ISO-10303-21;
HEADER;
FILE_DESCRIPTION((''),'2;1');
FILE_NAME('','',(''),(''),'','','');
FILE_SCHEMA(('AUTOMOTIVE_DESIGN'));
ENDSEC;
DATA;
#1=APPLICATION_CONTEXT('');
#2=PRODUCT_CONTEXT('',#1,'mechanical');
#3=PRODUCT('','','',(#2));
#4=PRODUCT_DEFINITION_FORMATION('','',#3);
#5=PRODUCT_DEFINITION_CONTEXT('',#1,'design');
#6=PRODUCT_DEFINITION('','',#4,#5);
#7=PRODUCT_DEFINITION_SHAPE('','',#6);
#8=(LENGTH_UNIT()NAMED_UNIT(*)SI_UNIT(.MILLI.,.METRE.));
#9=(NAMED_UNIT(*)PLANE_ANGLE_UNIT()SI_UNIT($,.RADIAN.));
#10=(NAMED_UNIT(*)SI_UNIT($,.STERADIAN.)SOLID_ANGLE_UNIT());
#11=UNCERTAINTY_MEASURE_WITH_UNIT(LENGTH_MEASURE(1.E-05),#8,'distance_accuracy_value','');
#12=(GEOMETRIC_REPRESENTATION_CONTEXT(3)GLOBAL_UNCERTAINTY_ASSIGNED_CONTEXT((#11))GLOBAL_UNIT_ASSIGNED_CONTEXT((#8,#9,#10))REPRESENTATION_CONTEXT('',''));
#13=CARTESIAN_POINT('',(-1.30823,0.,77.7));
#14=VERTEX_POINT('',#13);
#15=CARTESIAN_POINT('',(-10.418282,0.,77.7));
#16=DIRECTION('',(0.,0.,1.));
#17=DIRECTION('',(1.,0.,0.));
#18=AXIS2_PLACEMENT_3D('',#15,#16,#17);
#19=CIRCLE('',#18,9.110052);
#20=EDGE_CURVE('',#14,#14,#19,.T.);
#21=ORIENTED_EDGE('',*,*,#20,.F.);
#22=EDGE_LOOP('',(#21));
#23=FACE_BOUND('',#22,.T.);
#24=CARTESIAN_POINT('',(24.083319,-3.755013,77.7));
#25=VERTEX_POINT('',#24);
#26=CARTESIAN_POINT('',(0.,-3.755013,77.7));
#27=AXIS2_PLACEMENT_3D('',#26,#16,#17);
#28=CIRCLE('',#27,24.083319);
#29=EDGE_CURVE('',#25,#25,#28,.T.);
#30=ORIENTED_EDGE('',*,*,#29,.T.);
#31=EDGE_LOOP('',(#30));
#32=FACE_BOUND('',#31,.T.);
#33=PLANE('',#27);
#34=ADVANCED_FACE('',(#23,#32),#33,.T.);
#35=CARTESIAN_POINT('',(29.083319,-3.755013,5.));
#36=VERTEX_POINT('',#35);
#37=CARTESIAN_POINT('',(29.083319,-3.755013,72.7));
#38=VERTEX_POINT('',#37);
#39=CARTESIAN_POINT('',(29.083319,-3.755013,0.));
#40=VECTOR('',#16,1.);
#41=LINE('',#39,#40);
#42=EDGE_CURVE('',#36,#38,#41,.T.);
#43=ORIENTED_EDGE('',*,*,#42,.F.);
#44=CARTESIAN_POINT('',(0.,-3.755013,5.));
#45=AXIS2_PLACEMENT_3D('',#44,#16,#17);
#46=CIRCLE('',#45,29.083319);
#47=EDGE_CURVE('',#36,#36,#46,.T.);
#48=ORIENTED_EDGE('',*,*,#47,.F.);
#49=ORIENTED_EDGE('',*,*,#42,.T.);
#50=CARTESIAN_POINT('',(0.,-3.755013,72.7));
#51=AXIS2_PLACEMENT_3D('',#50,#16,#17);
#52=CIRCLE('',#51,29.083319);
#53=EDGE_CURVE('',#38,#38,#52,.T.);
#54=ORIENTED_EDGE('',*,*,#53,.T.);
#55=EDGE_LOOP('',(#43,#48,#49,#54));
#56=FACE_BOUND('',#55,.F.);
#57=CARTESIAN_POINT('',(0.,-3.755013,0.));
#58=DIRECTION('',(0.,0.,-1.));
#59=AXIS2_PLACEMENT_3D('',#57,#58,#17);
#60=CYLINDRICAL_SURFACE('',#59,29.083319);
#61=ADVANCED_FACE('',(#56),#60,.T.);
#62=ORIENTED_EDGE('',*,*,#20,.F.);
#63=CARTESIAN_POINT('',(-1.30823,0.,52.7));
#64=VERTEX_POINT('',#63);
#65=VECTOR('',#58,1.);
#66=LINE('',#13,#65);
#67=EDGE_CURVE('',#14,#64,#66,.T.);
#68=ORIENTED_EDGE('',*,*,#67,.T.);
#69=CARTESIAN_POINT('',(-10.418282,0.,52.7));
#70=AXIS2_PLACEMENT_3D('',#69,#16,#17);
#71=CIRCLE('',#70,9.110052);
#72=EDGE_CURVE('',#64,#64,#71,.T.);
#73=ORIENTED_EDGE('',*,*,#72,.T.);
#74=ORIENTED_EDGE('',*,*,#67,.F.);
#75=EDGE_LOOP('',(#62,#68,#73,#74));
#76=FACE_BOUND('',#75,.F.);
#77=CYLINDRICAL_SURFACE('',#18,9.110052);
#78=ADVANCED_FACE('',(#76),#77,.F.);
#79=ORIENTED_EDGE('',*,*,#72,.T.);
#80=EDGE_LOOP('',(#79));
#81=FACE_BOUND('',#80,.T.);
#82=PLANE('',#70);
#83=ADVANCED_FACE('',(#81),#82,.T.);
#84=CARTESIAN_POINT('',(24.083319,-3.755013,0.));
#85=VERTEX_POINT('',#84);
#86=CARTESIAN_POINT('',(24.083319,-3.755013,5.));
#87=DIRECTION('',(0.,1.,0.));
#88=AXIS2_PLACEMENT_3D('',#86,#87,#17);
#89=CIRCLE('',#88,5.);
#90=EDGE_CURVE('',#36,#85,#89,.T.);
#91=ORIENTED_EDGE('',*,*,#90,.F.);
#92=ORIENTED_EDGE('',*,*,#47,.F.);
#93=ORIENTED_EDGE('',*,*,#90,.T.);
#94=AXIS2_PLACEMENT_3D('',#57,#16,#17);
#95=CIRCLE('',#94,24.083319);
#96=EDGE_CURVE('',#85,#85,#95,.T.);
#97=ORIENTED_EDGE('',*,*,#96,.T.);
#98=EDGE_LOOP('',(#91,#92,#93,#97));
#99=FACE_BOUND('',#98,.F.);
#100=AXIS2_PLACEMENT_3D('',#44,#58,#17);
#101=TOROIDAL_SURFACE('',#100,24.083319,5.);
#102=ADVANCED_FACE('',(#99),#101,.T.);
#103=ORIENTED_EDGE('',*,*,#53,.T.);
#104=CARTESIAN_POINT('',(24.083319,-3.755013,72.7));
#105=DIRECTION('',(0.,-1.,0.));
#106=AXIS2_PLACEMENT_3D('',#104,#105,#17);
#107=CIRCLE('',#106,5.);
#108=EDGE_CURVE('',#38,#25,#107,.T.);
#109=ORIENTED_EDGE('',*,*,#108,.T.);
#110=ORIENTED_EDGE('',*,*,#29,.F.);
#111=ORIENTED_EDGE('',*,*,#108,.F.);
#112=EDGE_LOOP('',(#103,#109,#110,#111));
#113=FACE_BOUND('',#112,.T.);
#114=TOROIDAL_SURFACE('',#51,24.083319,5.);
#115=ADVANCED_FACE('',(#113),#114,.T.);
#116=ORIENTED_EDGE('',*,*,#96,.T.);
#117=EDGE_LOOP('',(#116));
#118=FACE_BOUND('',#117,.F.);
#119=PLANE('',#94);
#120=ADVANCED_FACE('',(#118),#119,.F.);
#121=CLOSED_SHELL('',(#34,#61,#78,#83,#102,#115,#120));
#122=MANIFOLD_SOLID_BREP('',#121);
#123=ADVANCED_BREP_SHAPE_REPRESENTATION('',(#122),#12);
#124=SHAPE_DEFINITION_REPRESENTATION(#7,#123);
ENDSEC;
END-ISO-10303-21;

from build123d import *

# Parameters (mm, degrees)
F0_R     = 29.083319
F1_DEPTH = 77.7
F2_R     = 9.110052
F3_DEPTH = 25
F4_R     = 5


with BuildPart() as f1:
    # F0 (on Top) → F1 (new body)
    with BuildSketch(Plane.XY):
        with Locations((0, -3.755013)):
            Circle(F0_R)
    extrude(amount=F1_DEPTH)

    # F2 (on face) → F3 (cut)
    with BuildSketch(Plane.XY.offset(77.7)):
        with Locations((-10.418282, 0)):
            Circle(F2_R)
    extrude(amount=-F3_DEPTH, mode=Mode.SUBTRACT)

    # F4
    f4_edges = [f1.edges().sort_by_distance(p)[0] for p in [
        (-29.083319, -3.755013, 77.7),
        (-29.083319, -3.755013, 0),
    ]]
    fillet(f4_edges, radius=F4_R)


solid = f1.part
